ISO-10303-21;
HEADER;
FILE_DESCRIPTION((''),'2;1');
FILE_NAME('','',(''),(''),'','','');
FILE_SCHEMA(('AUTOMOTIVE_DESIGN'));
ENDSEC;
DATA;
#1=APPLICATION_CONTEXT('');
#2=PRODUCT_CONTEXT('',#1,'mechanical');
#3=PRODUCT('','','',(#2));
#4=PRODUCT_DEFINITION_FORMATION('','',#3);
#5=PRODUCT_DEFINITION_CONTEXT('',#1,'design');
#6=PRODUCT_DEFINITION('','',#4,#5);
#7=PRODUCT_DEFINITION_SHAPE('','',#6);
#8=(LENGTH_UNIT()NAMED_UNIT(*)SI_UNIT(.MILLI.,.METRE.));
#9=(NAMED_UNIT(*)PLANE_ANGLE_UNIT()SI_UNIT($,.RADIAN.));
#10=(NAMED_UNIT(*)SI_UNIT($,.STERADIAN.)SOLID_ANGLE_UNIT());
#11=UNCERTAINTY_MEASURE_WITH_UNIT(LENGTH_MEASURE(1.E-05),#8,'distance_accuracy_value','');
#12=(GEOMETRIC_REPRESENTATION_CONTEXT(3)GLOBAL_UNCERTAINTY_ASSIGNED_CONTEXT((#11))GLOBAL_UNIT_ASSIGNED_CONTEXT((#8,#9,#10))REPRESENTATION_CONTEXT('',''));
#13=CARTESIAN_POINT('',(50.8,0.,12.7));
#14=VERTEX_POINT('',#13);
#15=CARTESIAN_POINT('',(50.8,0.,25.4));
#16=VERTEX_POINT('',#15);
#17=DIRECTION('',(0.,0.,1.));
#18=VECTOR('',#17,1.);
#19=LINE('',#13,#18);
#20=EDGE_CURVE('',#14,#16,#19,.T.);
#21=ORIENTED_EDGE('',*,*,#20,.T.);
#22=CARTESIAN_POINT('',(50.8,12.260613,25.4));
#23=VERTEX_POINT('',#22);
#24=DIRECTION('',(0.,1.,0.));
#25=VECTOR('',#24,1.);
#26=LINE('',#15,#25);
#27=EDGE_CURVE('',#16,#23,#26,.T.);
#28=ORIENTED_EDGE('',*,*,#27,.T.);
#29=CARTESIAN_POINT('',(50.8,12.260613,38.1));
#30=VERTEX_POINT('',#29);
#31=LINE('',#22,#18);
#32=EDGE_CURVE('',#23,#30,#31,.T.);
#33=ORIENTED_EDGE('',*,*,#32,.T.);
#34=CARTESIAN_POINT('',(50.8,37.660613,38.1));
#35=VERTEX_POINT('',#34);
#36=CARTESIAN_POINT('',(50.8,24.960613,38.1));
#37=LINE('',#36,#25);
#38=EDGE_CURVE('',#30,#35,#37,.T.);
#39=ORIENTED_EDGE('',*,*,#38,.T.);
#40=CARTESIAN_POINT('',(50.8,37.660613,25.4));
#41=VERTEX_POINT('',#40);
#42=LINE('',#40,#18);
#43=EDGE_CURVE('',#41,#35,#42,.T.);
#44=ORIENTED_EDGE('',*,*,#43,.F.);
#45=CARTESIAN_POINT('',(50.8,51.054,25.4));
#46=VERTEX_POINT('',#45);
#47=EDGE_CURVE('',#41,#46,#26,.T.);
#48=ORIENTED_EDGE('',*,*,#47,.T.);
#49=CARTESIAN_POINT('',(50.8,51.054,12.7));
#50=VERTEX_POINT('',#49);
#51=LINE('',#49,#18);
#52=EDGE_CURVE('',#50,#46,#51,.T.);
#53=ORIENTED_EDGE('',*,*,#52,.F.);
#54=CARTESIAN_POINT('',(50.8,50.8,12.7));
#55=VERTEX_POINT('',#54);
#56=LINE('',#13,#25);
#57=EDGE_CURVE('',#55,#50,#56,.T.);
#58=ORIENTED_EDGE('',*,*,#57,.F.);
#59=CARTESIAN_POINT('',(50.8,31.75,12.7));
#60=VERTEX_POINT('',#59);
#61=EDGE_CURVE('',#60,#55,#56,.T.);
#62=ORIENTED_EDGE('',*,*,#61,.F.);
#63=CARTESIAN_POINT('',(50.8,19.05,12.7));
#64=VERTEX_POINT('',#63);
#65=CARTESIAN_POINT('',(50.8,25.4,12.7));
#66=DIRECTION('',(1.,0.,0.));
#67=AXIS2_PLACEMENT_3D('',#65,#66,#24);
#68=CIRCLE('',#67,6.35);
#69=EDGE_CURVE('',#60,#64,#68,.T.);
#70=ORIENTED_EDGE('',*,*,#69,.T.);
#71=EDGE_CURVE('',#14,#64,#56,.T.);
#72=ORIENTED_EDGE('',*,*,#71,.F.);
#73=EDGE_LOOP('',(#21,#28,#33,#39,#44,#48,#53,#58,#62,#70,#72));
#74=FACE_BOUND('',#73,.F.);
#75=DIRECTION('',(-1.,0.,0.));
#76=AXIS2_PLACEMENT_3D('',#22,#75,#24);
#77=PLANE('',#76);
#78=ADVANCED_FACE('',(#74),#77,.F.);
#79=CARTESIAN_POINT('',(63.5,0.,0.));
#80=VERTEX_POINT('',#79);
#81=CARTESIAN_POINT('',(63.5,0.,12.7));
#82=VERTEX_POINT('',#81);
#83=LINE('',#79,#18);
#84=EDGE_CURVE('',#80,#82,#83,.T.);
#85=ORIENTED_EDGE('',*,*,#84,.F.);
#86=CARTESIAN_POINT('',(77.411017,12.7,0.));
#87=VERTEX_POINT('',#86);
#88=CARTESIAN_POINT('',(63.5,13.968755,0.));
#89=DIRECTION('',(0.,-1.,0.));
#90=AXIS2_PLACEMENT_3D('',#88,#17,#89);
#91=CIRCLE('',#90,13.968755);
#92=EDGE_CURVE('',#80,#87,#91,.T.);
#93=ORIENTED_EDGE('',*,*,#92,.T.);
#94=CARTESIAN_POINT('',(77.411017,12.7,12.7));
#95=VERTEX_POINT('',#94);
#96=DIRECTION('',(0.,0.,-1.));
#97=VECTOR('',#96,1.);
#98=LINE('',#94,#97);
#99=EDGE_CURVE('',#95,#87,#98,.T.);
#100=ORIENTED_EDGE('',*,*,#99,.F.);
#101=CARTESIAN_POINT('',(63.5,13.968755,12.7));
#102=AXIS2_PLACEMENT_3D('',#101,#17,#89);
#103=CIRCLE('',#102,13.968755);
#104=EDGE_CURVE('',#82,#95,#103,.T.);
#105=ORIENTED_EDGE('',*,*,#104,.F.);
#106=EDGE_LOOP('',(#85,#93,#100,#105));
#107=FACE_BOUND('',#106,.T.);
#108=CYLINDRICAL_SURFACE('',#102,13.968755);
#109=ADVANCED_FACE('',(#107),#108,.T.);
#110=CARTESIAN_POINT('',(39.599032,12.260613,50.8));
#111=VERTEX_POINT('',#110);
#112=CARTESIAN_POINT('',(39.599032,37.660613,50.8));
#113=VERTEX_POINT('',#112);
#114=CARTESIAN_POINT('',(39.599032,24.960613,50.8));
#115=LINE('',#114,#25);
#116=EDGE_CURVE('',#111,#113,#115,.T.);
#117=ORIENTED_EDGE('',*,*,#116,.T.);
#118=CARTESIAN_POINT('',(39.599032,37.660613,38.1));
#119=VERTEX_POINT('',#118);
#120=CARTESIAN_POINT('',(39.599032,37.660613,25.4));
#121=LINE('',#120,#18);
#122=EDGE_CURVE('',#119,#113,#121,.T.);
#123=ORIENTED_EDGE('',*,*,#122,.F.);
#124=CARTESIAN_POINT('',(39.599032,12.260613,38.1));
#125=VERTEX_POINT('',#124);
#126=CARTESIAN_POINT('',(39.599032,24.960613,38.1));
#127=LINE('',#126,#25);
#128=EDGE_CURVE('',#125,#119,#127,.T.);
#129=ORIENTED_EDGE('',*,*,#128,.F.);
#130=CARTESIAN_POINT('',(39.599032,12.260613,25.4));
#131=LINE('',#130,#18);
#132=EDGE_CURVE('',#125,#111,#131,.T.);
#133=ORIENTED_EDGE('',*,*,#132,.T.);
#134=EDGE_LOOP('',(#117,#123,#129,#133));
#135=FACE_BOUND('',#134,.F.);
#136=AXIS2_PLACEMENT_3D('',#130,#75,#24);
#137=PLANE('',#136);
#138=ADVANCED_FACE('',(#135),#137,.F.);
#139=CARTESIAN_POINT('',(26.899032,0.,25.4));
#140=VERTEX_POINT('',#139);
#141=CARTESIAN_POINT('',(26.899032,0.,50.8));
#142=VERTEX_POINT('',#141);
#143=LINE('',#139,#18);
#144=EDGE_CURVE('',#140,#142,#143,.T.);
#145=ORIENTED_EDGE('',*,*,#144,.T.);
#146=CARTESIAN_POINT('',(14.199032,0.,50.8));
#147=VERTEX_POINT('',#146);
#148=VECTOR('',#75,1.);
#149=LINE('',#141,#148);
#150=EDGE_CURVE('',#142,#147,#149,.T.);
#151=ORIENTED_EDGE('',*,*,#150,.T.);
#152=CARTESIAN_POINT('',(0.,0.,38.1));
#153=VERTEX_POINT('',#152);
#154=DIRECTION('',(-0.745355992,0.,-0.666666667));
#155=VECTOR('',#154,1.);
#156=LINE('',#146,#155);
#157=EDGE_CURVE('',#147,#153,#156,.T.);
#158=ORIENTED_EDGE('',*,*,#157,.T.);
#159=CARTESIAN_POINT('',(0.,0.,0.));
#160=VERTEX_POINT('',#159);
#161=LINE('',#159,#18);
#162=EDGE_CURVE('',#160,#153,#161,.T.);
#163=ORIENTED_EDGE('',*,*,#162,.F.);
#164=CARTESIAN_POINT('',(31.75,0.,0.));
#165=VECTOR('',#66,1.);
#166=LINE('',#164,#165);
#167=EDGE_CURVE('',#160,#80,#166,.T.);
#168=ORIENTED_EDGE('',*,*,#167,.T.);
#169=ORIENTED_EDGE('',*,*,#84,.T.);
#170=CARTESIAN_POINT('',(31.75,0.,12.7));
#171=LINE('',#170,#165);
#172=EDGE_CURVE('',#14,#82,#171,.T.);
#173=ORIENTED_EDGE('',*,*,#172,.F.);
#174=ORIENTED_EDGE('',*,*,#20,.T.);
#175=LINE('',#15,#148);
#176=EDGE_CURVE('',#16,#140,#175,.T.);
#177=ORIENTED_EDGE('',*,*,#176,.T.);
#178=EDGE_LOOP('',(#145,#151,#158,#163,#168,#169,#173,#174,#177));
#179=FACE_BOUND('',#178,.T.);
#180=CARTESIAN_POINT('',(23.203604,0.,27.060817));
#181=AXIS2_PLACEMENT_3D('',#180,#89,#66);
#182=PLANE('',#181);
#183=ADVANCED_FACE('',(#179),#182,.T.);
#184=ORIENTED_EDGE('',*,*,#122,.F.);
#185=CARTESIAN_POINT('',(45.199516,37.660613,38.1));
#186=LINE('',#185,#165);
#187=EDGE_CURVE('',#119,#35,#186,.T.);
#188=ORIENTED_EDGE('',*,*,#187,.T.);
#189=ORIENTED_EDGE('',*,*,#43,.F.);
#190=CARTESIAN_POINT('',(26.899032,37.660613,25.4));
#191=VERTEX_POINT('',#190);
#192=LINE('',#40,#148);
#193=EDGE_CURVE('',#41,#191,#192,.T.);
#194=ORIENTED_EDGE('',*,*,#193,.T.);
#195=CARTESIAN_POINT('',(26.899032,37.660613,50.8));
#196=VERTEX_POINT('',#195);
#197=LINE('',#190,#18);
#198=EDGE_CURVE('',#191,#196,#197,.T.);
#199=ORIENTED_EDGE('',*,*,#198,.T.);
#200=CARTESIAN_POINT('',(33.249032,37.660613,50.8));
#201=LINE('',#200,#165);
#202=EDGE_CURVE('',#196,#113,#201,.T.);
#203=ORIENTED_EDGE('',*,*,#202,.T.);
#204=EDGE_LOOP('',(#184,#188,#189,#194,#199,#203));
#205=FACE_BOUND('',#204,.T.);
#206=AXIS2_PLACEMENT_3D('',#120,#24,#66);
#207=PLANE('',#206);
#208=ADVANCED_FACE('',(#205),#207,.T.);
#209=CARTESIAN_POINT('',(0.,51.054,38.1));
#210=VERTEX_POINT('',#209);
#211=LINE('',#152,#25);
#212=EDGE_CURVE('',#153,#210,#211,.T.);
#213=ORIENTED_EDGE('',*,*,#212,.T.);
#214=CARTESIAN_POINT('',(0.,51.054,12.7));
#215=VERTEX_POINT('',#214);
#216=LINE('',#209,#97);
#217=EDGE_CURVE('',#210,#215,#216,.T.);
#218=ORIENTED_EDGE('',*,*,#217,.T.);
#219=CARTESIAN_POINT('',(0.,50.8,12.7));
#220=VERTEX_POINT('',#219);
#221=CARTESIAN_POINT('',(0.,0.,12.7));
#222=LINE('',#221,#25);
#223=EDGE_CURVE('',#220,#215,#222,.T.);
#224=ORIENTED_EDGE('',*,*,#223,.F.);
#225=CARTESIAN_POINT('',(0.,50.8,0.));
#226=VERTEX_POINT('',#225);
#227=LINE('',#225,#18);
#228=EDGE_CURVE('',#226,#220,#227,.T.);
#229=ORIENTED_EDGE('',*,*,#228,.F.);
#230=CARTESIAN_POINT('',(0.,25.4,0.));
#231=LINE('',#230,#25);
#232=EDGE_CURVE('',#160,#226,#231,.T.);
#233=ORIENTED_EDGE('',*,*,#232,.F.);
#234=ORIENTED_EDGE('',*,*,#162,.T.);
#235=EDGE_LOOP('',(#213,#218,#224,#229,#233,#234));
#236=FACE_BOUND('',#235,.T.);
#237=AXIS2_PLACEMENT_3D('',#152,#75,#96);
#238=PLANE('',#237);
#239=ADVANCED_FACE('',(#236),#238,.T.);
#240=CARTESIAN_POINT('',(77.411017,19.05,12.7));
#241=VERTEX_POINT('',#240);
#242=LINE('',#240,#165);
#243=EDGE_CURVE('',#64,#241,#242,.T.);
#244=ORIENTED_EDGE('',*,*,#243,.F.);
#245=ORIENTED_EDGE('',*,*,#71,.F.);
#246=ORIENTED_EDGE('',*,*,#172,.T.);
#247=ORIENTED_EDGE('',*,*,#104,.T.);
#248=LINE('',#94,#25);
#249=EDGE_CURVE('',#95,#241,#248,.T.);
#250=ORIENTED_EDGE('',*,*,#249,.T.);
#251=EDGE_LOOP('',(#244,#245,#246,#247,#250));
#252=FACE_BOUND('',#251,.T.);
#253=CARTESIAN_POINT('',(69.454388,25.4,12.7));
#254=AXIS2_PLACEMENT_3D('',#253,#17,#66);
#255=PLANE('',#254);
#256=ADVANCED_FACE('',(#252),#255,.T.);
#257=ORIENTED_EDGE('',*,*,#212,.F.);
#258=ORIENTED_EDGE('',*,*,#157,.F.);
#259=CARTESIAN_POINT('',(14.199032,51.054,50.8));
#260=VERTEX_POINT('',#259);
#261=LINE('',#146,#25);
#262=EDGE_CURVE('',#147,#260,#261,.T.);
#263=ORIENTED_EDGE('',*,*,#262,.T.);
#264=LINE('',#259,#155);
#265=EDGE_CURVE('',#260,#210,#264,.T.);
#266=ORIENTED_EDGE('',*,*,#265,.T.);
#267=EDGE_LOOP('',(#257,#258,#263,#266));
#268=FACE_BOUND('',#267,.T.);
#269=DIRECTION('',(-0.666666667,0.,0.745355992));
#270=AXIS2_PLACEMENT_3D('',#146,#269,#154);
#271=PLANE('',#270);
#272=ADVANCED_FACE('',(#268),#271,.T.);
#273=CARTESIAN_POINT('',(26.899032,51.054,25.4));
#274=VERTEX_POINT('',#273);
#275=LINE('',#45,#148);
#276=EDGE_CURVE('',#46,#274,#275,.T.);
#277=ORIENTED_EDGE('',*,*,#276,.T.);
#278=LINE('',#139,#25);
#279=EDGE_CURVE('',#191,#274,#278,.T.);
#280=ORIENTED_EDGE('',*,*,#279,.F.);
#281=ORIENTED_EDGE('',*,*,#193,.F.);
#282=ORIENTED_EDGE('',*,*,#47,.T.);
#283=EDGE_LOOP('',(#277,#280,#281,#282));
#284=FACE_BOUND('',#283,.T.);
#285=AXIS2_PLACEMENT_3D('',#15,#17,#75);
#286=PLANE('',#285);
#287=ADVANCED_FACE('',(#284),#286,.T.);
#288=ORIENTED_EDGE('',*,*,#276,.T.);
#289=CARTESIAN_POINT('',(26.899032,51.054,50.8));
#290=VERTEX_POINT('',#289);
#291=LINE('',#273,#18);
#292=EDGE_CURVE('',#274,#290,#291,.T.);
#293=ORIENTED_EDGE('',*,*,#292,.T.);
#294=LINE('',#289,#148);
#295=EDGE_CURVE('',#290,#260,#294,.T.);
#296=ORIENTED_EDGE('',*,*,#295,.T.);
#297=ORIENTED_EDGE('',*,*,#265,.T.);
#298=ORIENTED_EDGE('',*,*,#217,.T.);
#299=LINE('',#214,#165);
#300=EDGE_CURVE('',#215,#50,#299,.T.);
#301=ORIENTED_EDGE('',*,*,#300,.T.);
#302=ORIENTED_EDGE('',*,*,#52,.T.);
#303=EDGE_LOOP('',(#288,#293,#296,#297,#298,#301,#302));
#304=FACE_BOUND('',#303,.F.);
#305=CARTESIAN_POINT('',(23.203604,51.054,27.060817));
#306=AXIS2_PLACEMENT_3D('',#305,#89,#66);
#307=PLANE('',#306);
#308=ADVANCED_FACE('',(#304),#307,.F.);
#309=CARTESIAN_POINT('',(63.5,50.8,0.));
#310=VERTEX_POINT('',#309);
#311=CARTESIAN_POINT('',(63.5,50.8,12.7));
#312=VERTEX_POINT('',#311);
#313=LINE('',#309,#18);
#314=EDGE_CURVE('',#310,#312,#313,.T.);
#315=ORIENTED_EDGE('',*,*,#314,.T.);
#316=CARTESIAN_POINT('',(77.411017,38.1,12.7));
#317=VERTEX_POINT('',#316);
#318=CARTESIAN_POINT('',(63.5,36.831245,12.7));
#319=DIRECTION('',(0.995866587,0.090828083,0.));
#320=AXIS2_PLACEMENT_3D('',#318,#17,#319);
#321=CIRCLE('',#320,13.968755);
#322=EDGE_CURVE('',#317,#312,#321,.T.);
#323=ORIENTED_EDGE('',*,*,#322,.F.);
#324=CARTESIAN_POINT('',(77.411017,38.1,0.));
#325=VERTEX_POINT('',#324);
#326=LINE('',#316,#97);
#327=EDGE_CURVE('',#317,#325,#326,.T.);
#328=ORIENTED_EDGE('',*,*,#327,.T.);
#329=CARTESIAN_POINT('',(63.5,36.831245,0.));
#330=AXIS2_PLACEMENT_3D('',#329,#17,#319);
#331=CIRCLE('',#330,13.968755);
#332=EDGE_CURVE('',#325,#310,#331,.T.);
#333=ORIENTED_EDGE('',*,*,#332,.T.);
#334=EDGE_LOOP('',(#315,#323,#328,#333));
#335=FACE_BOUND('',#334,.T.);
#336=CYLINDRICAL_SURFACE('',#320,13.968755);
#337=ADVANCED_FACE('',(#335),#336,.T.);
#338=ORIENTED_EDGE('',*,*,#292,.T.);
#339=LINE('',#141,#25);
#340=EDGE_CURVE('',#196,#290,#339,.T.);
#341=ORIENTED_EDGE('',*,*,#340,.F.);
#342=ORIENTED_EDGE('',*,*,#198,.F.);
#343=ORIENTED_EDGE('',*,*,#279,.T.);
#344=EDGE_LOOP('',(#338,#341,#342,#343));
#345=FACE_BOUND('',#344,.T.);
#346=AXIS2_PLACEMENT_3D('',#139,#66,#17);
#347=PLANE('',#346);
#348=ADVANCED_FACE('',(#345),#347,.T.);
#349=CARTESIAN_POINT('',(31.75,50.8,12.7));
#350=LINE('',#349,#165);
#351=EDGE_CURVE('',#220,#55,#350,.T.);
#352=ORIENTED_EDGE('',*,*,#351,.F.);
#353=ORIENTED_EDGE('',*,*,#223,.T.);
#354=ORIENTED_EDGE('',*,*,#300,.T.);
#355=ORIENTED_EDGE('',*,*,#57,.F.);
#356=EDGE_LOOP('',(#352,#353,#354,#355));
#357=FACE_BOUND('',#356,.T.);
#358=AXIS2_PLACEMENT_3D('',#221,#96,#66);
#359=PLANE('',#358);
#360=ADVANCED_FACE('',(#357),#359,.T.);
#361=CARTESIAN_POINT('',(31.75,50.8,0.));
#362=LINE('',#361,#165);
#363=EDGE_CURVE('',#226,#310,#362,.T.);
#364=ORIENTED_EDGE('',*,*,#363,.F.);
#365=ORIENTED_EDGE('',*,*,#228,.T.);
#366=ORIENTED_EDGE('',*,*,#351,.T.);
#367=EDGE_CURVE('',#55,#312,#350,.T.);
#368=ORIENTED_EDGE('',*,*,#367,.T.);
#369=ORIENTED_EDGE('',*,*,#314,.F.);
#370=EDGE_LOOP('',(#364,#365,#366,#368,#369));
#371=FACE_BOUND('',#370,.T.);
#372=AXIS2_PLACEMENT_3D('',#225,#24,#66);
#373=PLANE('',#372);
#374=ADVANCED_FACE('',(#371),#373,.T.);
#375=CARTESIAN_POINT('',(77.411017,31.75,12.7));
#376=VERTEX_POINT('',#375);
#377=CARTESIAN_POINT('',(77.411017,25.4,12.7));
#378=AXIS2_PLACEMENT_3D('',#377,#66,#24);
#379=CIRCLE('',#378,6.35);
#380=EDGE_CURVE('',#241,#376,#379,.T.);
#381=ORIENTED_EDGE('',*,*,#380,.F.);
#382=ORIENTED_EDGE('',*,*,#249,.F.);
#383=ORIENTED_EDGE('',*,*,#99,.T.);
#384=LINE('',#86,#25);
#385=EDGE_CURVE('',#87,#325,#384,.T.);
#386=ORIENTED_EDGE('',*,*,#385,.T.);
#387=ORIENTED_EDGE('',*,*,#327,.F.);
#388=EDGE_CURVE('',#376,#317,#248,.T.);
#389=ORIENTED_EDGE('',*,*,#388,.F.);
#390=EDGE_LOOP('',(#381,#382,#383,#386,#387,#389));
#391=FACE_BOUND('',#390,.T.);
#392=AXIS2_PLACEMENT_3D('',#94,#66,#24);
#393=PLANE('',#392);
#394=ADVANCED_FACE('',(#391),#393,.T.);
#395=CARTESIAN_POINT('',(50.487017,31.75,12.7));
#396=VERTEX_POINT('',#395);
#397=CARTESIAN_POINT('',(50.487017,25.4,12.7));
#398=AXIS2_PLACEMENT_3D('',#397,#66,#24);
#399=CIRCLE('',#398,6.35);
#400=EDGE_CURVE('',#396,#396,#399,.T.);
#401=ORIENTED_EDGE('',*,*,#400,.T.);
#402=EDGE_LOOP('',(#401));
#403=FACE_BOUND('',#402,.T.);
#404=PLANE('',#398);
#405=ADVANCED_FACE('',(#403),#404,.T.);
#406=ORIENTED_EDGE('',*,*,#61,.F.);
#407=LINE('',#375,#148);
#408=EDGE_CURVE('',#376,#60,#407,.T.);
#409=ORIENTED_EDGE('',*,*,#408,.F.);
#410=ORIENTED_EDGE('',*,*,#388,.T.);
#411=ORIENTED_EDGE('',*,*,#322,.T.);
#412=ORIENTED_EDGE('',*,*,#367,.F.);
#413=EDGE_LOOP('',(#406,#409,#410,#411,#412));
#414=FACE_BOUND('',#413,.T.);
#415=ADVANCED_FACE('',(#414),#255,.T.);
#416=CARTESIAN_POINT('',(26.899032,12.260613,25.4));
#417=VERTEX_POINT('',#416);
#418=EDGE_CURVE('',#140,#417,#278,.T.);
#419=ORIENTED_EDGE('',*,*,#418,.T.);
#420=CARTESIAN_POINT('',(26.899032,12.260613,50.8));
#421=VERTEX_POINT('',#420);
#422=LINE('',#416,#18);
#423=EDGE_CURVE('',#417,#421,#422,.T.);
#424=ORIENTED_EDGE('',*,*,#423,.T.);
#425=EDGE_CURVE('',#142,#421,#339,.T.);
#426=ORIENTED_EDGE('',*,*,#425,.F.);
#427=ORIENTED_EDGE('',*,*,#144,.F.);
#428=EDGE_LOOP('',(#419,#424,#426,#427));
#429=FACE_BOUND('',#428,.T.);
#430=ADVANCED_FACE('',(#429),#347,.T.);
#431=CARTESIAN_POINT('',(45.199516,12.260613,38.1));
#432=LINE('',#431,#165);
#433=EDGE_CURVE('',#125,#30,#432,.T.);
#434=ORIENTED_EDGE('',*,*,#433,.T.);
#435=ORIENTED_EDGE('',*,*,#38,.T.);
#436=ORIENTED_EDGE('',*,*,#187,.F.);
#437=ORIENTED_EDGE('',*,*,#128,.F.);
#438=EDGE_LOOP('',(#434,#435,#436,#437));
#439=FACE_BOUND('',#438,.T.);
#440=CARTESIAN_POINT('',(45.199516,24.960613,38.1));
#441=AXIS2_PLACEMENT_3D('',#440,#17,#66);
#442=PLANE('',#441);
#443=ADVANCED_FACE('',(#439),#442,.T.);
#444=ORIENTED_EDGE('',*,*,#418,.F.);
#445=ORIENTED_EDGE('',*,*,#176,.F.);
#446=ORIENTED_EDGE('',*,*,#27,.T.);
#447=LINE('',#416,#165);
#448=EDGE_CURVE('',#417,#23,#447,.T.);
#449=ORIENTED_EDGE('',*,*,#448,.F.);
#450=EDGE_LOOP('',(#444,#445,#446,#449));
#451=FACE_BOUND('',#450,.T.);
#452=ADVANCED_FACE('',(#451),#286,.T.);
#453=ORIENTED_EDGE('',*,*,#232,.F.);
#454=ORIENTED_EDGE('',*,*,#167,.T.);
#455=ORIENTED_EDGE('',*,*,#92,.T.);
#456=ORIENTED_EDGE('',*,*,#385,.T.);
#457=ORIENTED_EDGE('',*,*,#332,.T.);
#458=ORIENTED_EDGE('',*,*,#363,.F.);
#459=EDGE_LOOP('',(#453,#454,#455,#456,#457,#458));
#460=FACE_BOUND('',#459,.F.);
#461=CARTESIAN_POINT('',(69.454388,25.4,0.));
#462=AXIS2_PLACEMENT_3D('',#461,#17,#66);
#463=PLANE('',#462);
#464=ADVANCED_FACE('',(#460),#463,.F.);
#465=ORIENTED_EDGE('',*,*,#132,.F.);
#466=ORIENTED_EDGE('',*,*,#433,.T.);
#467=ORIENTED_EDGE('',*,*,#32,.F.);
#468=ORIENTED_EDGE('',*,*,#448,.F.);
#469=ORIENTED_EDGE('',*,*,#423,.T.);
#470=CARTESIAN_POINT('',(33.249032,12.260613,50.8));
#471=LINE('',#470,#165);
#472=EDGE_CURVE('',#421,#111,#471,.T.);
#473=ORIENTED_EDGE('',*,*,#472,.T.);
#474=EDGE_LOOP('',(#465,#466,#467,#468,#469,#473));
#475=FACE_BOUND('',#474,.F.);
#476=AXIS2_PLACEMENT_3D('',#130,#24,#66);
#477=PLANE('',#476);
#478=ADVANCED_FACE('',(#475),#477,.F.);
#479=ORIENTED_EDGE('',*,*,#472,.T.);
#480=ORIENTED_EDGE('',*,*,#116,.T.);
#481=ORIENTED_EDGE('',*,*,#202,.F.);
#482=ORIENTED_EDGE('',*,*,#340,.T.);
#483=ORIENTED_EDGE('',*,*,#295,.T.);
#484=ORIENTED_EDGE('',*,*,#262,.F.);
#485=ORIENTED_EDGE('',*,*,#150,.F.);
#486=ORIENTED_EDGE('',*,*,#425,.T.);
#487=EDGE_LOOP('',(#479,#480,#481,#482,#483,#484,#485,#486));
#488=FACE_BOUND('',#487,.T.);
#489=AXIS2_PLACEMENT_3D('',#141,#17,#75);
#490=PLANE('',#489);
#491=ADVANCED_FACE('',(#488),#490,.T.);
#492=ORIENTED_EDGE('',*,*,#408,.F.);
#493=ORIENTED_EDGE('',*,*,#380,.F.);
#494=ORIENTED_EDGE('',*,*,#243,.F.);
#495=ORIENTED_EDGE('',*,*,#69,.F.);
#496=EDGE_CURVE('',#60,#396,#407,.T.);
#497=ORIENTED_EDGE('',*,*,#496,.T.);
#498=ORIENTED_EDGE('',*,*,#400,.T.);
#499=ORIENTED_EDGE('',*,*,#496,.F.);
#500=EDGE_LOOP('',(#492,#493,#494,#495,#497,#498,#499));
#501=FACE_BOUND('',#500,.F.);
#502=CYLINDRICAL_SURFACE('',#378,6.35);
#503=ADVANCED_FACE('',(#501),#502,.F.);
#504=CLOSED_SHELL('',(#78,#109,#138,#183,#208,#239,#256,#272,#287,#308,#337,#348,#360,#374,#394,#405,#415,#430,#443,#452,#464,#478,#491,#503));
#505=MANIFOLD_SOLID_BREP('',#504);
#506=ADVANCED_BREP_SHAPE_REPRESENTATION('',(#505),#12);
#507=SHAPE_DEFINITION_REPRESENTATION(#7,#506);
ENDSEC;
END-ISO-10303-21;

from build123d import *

# Parameters (mm, degrees)
F0_W      = 63.5
F0_H      = 50.8
F1_DEPTH  = 12.7
F3_DEPTH  = 12.7
F5_DEPTH  = 51.054
F6_W      = 12.7
F6_H      = 25.4
F7_DEPTH  = 25.4
F8_W      = 11.2009683429
F8_H      = 25.4
F9_DEPTH  = 12.7
F10_R     = 6.35
F11_DEPTH = 26.924


with BuildPart() as f1:
    # F0 (on Top) → F1 (new body)
    with BuildSketch(Plane.XY):
        with Locations((31.75, 25.4)):
            Rectangle(F0_W, F0_H)
    extrude(amount=F1_DEPTH)

    # F2 (on face) → F3 (join)
    with BuildSketch(Plane.XY.offset(12.7)):
        with BuildLine():
            Line((77.4110166286, 12.7), (77.4110166286, 38.1))
            ThreePointArc((77.4110166286, 38.1), (72.918152468, 47.1474711632), (63.5, 50.8))
            Line((63.5, 50.8), (63.5, 0))
            ThreePointArc((63.5, 0), (72.918152468, 3.6525288368), (77.4110166286, 12.7))
        make_face()
    extrude(amount=-F3_DEPTH)

    # F4 (on face) → F5 (join)
    with BuildSketch(Plane.XZ):
        Polygon((0, 38.1), (0, 12.7), (50.8, 12.7), (50.8, 25.4), (26.8990316571, 25.4), (26.8990316571, 50.8), (14.1990316571, 50.8), align=None)
    extrude(amount=-F5_DEPTH)

    # F6 (on face) → F7 (join)
    with BuildSketch(Plane.XY.offset(25.4)):
        with Locations((33.2490316571, 24.9606130317)):
            Rectangle(F6_W, F6_H)
    extrude(amount=F7_DEPTH)

    # F8 (on face) → F9 (join)
    with BuildSketch(Plane.XY.offset(25.4)):
        with Locations((45.1995158286, 24.9606130317)):
            Rectangle(F8_W, F8_H)
    extrude(amount=F9_DEPTH)

    # F10 (on face) → F11 (cut)
    with BuildSketch(Plane.YZ.offset(77.4110166286)):
        with Locations((25.4, 12.7)):
            Circle(F10_R)
    extrude(amount=-F11_DEPTH, mode=Mode.SUBTRACT)


solid = f1.part
